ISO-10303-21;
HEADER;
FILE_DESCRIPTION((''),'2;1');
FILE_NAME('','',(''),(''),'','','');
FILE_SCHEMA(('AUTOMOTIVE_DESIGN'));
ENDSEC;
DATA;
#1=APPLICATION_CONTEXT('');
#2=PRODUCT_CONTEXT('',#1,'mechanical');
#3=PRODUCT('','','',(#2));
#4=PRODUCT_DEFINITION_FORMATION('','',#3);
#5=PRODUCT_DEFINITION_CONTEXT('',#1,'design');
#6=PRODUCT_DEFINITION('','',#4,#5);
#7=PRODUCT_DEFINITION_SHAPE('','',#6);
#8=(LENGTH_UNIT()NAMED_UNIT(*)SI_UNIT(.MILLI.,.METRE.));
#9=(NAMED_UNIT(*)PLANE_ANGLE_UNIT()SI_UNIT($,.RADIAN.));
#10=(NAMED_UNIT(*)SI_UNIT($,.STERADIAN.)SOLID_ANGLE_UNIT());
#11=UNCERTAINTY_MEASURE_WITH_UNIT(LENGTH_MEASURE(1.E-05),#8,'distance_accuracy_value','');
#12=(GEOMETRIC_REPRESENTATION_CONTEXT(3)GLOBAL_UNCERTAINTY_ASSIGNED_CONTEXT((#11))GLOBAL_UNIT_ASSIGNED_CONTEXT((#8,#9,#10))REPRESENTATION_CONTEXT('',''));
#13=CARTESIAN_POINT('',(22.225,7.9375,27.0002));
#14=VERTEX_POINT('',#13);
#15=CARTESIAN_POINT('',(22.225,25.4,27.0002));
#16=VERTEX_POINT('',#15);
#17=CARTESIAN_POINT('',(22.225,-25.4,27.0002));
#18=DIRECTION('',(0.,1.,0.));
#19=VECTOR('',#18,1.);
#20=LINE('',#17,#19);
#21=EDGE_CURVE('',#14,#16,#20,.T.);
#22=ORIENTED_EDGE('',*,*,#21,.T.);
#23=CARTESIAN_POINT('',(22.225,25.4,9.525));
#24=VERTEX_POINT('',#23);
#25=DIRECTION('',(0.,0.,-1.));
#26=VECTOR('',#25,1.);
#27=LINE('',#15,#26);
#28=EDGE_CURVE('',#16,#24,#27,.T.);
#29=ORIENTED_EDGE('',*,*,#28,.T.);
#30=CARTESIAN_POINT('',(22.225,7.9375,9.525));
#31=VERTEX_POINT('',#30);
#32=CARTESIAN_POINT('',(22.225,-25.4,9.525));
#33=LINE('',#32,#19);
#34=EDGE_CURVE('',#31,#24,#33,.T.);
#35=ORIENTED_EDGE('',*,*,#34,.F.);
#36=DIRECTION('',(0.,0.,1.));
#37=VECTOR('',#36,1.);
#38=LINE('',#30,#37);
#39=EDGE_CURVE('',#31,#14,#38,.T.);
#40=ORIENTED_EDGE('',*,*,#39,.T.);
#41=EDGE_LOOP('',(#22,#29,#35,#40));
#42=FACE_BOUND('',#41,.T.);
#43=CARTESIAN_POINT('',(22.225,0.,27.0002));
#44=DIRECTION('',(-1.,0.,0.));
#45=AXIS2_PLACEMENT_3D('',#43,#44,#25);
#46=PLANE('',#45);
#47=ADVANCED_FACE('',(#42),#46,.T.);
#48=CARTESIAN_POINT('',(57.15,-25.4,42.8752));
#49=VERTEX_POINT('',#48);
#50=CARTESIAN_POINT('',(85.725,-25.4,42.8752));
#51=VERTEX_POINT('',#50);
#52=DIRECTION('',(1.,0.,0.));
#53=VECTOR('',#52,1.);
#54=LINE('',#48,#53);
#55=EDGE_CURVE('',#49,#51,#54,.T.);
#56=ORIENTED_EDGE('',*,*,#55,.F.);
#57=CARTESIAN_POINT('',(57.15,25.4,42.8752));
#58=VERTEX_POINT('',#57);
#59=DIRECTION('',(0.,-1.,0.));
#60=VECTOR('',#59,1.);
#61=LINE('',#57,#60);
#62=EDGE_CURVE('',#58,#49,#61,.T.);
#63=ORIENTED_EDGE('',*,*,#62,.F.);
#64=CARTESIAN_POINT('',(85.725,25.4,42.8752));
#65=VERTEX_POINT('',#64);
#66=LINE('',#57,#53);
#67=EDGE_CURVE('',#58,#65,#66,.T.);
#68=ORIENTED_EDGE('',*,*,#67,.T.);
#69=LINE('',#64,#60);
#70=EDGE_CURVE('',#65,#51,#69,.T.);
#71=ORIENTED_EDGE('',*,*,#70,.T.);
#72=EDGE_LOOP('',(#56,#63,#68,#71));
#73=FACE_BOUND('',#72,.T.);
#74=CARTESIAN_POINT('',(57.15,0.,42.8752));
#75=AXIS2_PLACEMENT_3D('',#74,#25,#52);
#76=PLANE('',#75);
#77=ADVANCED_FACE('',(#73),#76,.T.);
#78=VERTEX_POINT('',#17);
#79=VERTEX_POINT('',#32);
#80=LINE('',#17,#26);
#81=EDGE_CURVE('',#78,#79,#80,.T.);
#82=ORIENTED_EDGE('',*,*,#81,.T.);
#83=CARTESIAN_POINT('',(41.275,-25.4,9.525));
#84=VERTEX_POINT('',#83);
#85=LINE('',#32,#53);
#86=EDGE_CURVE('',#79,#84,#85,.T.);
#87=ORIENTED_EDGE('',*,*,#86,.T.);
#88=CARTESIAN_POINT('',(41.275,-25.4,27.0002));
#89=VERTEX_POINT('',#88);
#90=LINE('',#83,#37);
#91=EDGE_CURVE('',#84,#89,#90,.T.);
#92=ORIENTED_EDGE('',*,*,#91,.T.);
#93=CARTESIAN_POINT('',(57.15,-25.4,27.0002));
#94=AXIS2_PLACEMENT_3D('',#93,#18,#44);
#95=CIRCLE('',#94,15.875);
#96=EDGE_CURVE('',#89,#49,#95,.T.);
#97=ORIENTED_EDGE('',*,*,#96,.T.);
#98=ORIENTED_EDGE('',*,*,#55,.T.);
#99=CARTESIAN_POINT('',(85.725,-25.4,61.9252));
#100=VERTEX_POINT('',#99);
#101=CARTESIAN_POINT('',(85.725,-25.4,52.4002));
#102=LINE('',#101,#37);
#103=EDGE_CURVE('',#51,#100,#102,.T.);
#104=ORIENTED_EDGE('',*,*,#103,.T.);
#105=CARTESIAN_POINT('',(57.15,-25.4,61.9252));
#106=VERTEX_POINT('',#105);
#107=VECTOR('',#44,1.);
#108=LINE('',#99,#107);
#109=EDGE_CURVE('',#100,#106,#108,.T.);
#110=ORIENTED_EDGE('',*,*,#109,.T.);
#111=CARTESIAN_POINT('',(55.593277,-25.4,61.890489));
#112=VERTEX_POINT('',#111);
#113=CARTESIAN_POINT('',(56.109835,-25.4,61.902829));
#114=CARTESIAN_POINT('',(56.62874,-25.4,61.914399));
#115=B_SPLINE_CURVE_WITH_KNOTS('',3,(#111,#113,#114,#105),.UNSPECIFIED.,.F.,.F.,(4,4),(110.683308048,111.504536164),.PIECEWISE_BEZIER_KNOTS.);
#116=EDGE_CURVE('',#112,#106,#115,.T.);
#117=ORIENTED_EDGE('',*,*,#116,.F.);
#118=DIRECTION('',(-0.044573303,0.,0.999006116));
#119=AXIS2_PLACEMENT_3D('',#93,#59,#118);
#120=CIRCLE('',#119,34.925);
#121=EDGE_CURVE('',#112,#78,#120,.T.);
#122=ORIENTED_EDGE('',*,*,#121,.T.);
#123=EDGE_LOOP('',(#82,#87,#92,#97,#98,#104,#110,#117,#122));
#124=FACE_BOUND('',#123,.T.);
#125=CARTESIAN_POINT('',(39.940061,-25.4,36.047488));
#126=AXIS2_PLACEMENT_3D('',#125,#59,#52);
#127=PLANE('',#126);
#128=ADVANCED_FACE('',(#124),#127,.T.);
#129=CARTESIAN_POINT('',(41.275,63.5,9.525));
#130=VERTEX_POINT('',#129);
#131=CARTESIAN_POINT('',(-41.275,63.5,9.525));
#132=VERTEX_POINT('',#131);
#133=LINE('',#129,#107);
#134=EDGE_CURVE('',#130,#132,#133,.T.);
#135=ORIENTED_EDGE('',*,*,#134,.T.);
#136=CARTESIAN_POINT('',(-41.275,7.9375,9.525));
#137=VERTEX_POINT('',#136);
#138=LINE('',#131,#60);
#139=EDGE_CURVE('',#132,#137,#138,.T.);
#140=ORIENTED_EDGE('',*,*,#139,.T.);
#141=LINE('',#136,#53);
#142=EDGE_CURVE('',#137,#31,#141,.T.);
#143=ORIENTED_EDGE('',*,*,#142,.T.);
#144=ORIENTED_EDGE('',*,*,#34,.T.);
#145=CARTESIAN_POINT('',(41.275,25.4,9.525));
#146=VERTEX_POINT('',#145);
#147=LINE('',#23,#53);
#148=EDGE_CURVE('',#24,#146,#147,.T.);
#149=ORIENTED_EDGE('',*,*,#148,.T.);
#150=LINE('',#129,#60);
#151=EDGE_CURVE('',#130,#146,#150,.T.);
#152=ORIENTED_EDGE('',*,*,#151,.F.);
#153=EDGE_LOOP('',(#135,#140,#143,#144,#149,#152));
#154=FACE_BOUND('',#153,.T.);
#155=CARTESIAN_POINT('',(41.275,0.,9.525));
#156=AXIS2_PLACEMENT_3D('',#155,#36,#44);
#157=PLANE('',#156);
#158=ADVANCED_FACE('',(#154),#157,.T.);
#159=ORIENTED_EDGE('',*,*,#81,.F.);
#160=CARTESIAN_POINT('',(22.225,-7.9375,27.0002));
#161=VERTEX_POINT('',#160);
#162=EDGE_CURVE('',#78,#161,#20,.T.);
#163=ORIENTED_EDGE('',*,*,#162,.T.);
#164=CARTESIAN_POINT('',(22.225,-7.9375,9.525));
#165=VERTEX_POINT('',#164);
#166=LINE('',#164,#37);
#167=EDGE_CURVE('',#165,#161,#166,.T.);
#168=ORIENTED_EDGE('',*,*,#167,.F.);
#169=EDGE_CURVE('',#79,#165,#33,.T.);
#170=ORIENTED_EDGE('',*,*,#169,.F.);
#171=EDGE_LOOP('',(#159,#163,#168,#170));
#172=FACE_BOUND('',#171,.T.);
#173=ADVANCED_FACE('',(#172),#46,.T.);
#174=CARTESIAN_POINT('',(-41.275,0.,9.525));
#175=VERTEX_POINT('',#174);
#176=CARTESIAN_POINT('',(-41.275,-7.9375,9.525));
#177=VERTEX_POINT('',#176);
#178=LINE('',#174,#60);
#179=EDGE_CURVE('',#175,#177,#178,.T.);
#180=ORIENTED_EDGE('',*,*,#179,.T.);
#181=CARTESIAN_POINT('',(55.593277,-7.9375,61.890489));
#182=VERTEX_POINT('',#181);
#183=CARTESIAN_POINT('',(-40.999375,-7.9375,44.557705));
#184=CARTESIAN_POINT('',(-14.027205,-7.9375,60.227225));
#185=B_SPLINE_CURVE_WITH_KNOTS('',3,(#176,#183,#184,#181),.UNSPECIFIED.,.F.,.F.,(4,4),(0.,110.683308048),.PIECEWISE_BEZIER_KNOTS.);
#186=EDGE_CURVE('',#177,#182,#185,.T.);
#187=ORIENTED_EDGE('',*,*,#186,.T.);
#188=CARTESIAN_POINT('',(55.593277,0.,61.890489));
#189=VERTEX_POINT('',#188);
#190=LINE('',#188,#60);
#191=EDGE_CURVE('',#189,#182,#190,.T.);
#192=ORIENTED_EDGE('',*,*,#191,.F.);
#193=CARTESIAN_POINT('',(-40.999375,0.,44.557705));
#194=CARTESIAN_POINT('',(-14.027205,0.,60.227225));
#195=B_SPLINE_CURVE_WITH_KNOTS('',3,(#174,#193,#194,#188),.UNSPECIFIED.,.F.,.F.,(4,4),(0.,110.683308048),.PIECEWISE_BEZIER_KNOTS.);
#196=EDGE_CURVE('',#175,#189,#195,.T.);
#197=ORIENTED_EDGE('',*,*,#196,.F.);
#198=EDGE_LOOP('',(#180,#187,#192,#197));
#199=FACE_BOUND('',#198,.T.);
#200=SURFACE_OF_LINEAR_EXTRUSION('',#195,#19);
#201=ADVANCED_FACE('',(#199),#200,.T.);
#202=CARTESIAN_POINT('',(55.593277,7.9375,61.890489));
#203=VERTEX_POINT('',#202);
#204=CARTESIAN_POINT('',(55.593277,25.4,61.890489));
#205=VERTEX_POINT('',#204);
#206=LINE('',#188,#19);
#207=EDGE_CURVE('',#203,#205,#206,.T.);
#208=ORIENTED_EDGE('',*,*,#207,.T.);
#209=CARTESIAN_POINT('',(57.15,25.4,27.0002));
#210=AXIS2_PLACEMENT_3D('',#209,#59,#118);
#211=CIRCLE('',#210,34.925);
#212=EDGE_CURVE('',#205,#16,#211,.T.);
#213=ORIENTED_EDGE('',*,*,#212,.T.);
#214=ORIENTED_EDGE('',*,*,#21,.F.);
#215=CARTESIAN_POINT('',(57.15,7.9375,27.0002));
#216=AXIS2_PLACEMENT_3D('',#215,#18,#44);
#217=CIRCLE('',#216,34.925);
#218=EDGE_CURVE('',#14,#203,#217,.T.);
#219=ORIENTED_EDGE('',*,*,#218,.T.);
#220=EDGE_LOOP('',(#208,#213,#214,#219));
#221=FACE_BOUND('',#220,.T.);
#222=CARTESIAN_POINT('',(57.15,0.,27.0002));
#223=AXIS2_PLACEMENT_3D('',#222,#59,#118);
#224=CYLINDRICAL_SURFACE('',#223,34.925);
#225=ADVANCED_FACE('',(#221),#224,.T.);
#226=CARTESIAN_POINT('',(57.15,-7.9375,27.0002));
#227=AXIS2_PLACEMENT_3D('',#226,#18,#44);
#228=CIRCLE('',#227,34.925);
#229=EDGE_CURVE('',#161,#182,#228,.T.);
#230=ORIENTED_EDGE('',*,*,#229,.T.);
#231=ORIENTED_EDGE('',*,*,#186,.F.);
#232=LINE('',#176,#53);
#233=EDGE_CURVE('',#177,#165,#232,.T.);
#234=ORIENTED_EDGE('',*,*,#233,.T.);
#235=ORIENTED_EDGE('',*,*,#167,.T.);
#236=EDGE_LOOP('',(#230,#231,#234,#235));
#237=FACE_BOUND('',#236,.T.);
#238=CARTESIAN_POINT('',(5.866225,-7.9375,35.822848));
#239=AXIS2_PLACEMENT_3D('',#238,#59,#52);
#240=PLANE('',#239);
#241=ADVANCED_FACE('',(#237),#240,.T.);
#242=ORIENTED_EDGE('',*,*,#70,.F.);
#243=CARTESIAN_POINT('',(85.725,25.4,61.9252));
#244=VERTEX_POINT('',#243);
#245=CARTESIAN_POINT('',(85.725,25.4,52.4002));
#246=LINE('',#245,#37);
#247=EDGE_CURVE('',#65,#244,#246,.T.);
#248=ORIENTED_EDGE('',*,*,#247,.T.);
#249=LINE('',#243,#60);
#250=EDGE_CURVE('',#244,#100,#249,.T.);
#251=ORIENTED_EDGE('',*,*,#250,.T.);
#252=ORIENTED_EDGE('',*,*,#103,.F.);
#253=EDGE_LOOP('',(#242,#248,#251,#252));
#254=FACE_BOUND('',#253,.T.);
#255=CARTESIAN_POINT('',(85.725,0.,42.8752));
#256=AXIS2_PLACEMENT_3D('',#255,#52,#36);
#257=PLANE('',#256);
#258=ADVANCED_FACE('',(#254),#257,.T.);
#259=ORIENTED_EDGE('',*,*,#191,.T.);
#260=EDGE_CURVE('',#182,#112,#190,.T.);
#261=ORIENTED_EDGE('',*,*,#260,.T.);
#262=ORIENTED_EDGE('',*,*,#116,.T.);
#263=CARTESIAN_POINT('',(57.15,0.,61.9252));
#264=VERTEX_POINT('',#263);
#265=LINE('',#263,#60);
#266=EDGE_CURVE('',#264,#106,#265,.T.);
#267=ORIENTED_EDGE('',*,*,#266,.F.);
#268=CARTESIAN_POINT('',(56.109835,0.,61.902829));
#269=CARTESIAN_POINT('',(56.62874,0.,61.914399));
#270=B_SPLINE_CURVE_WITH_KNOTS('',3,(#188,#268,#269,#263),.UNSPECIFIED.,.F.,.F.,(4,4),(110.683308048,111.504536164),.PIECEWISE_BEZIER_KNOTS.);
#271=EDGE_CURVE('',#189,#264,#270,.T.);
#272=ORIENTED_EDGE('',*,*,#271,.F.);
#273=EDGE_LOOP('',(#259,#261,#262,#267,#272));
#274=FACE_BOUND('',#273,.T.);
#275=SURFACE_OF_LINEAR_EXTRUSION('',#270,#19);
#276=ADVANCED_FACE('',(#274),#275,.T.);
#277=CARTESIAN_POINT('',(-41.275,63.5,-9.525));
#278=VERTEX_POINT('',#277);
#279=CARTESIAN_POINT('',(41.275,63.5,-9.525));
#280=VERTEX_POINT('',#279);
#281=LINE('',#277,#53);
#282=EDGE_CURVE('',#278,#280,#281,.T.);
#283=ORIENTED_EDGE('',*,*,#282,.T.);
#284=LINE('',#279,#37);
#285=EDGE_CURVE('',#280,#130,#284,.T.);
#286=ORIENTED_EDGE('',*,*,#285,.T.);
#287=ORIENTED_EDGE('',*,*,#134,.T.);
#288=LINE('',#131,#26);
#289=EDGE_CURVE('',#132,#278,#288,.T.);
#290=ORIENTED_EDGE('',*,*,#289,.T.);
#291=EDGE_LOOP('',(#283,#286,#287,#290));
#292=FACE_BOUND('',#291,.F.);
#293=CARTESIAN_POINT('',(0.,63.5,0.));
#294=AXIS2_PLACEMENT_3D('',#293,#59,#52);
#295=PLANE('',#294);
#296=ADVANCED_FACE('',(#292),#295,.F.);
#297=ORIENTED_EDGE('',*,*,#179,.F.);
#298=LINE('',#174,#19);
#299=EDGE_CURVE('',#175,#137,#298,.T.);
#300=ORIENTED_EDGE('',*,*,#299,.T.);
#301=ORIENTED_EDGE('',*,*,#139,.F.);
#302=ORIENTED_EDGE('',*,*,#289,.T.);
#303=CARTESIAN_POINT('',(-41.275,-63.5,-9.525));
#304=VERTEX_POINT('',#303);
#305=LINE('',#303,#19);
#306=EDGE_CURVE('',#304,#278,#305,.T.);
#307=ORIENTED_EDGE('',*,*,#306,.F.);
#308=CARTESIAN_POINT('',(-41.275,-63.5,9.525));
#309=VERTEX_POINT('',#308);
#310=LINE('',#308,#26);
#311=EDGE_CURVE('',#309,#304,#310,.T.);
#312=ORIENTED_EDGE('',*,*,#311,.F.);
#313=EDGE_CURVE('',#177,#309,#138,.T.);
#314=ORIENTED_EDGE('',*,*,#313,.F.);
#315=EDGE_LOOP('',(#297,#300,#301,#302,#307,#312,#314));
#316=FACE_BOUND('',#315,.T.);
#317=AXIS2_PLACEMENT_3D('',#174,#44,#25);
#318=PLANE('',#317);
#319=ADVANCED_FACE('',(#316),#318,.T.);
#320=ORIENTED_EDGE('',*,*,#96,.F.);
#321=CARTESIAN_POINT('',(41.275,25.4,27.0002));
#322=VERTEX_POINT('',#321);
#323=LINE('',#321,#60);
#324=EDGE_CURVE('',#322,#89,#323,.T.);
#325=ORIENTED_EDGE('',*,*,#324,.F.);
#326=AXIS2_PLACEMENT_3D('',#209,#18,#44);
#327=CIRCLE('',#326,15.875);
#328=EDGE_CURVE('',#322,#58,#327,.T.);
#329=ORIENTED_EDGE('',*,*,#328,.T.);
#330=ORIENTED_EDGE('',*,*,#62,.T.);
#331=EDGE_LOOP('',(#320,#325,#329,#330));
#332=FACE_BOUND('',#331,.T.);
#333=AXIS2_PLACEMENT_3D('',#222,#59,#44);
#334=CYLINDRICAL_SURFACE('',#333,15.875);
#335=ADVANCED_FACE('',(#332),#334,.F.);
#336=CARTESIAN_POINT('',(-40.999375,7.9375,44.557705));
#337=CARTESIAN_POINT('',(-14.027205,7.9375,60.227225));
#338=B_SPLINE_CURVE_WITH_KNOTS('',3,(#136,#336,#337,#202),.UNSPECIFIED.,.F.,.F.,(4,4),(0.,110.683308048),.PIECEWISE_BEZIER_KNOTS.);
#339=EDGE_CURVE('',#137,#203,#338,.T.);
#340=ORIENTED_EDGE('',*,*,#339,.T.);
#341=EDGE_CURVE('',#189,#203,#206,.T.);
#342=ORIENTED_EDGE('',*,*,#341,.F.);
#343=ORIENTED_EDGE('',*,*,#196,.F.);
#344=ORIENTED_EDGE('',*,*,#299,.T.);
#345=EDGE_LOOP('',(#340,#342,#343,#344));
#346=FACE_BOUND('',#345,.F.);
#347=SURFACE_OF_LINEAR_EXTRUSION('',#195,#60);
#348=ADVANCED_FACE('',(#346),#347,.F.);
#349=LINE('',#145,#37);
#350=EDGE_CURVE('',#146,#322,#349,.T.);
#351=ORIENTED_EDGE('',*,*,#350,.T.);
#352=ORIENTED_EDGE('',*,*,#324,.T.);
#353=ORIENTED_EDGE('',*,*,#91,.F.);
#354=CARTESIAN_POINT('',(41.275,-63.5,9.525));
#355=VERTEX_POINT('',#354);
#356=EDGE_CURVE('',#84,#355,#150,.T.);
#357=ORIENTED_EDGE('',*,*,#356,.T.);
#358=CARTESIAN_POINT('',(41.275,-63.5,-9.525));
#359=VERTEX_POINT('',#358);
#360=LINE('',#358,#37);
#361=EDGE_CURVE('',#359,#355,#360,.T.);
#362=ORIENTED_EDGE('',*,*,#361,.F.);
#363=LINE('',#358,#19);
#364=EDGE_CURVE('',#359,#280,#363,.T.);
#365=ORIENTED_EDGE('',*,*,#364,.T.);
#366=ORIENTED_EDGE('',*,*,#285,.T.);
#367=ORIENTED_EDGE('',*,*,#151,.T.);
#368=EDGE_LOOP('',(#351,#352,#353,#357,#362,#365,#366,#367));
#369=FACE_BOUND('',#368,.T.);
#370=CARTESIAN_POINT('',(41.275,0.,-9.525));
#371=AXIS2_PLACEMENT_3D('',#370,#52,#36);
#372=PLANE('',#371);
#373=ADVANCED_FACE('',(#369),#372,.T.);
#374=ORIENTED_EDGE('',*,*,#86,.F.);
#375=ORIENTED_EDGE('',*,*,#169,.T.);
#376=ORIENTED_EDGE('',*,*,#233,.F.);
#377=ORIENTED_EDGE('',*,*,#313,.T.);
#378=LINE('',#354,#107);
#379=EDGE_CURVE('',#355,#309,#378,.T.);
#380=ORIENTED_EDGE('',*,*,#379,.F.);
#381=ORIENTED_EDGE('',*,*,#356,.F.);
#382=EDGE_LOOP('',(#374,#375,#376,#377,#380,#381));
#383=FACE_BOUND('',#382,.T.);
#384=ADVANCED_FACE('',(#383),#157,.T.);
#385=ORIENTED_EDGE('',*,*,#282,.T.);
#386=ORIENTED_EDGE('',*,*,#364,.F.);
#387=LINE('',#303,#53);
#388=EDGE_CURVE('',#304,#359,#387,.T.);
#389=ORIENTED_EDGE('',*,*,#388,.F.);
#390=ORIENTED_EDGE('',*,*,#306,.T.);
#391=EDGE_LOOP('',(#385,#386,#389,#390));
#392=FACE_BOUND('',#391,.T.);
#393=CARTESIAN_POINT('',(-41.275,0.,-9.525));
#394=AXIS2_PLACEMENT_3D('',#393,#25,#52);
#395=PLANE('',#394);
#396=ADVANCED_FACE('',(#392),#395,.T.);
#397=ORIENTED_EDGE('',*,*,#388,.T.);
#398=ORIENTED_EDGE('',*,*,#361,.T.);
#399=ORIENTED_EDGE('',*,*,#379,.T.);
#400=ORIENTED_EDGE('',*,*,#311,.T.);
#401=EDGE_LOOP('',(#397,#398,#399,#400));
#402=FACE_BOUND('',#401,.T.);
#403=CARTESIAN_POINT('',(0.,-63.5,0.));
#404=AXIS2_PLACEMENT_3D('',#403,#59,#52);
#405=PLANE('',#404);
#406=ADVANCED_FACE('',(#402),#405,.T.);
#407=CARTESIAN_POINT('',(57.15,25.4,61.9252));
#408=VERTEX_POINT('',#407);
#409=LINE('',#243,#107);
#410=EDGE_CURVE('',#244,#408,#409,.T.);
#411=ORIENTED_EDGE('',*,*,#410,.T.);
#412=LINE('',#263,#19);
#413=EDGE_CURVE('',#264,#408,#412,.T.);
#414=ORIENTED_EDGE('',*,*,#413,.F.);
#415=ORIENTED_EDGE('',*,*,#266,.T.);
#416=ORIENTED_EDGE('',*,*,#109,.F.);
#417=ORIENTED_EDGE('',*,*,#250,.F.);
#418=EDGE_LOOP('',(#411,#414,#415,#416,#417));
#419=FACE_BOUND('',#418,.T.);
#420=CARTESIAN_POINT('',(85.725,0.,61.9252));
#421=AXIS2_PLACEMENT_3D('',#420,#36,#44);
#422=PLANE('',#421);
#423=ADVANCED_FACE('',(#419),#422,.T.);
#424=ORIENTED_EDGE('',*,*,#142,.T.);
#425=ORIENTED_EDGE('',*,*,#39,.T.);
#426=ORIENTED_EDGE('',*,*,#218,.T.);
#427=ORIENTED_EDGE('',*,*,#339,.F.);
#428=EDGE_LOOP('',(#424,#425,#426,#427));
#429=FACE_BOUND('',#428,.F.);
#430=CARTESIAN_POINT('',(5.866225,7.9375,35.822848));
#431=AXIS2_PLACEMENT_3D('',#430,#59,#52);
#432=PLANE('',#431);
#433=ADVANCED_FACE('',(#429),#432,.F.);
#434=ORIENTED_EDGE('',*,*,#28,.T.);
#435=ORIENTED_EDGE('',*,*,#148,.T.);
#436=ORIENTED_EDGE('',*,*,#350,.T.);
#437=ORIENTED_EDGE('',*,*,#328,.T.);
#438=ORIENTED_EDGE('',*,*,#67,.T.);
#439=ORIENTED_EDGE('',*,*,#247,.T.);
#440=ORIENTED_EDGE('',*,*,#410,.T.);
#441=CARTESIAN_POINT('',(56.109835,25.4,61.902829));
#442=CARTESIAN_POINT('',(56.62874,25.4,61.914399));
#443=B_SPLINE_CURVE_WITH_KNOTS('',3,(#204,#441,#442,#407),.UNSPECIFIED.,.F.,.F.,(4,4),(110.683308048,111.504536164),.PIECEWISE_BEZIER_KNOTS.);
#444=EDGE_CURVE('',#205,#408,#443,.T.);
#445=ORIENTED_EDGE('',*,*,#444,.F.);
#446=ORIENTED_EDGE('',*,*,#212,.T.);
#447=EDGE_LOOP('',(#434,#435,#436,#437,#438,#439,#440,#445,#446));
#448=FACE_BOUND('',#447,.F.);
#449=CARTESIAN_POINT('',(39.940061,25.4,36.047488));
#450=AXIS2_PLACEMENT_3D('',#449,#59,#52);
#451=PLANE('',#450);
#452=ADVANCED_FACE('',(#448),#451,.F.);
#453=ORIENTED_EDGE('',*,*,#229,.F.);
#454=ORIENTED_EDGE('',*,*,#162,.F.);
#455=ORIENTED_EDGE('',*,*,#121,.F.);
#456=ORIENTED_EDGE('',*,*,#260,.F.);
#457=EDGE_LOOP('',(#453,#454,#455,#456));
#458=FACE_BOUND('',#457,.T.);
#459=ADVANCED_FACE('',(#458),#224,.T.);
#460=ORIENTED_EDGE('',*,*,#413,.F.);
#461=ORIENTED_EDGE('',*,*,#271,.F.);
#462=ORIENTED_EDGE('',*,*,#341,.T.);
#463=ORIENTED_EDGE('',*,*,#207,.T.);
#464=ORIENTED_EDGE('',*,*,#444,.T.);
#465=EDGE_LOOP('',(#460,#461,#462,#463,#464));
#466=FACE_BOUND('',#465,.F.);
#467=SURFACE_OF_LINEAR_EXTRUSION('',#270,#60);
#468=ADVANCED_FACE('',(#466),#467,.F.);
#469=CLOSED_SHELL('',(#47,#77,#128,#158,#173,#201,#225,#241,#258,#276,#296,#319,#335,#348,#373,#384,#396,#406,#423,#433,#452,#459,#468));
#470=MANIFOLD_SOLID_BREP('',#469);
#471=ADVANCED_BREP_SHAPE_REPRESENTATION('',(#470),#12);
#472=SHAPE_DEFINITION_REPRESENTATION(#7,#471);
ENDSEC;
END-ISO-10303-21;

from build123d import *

# Parameters (mm, degrees)
F1_DEPTH = 63.5
F0_W     = 25.4
F0_H     = 19.05
F2_DEPTH = 25.4
F3_DEPTH = 7.9375


with BuildPart() as f1:
    # F0 (on Front) → F1 (new body, symmetric)
    with BuildSketch(Plane.XZ):
        Polygon((41.275, -9.525), (41.275, 9.525), (22.225, 9.525), (-41.275, 9.525), (-41.275, -9.525), align=None)
    extrude(amount=F1_DEPTH, both=True)

    # F0 (on Front) → F2 (join, symmetric)
    with BuildSketch(Plane.XZ):
        with BuildLine():
            Line((22.225, 9.525), (41.275, 9.525))
            Line((41.275, 9.525), (41.275, 27.0002))
            ThreePointArc((41.275, 27.0002), (45.9246798487, 38.2255201513), (57.15, 42.8752))
            Line((57.15, 42.8752), (60.325, 42.8752))
            Line((60.325, 42.8752), (60.325, 61.9252))
            Line((60.325, 61.9252), (57.15, 61.9252))
            add(Edge.make_bspline(
                [(55.5932773948, 61.8904886163), (56.1098349358, 61.9028294033), (56.628740299, 61.9143991352), (57.15, 61.9252)],
                knots=[110.6833080475, 110.6833080475, 110.6833080475, 110.6833080475, 111.5045361635, 111.5045361635, 111.5045361635, 111.5045361635], degree=3))
            ThreePointArc((55.5932773948, 61.8904886163), (31.9099112325, 51.1392460459), (22.225, 27.0002))
            Line((22.225, 27.0002), (22.225, 9.525))
        make_face()
        with Locations((73.025, 52.4002)):
            Rectangle(F0_W, F0_H)
    extrude(amount=F2_DEPTH, both=True)

    # F0 (on Front) → F3 (join, symmetric)
    with BuildSketch(Plane.XZ):
        with BuildLine():
            Line((-41.275, 9.525), (22.225, 9.525))
            Line((22.225, 9.525), (22.225, 27.0002))
            ThreePointArc((22.225, 27.0002), (31.9099112325, 51.1392460459), (55.5932773948, 61.8904886163))
            add(Edge.make_bspline(
                [(-41.275, 9.525), (-40.9993751312, 44.557704562), (-14.0272048052, 60.2272246577), (55.5932773948, 61.8904886163)],
                knots=[0, 0, 0, 0, 110.6833080475, 110.6833080475, 110.6833080475, 110.6833080475], degree=3))
        make_face()
    extrude(amount=F3_DEPTH, both=True)


solid = f1.part
